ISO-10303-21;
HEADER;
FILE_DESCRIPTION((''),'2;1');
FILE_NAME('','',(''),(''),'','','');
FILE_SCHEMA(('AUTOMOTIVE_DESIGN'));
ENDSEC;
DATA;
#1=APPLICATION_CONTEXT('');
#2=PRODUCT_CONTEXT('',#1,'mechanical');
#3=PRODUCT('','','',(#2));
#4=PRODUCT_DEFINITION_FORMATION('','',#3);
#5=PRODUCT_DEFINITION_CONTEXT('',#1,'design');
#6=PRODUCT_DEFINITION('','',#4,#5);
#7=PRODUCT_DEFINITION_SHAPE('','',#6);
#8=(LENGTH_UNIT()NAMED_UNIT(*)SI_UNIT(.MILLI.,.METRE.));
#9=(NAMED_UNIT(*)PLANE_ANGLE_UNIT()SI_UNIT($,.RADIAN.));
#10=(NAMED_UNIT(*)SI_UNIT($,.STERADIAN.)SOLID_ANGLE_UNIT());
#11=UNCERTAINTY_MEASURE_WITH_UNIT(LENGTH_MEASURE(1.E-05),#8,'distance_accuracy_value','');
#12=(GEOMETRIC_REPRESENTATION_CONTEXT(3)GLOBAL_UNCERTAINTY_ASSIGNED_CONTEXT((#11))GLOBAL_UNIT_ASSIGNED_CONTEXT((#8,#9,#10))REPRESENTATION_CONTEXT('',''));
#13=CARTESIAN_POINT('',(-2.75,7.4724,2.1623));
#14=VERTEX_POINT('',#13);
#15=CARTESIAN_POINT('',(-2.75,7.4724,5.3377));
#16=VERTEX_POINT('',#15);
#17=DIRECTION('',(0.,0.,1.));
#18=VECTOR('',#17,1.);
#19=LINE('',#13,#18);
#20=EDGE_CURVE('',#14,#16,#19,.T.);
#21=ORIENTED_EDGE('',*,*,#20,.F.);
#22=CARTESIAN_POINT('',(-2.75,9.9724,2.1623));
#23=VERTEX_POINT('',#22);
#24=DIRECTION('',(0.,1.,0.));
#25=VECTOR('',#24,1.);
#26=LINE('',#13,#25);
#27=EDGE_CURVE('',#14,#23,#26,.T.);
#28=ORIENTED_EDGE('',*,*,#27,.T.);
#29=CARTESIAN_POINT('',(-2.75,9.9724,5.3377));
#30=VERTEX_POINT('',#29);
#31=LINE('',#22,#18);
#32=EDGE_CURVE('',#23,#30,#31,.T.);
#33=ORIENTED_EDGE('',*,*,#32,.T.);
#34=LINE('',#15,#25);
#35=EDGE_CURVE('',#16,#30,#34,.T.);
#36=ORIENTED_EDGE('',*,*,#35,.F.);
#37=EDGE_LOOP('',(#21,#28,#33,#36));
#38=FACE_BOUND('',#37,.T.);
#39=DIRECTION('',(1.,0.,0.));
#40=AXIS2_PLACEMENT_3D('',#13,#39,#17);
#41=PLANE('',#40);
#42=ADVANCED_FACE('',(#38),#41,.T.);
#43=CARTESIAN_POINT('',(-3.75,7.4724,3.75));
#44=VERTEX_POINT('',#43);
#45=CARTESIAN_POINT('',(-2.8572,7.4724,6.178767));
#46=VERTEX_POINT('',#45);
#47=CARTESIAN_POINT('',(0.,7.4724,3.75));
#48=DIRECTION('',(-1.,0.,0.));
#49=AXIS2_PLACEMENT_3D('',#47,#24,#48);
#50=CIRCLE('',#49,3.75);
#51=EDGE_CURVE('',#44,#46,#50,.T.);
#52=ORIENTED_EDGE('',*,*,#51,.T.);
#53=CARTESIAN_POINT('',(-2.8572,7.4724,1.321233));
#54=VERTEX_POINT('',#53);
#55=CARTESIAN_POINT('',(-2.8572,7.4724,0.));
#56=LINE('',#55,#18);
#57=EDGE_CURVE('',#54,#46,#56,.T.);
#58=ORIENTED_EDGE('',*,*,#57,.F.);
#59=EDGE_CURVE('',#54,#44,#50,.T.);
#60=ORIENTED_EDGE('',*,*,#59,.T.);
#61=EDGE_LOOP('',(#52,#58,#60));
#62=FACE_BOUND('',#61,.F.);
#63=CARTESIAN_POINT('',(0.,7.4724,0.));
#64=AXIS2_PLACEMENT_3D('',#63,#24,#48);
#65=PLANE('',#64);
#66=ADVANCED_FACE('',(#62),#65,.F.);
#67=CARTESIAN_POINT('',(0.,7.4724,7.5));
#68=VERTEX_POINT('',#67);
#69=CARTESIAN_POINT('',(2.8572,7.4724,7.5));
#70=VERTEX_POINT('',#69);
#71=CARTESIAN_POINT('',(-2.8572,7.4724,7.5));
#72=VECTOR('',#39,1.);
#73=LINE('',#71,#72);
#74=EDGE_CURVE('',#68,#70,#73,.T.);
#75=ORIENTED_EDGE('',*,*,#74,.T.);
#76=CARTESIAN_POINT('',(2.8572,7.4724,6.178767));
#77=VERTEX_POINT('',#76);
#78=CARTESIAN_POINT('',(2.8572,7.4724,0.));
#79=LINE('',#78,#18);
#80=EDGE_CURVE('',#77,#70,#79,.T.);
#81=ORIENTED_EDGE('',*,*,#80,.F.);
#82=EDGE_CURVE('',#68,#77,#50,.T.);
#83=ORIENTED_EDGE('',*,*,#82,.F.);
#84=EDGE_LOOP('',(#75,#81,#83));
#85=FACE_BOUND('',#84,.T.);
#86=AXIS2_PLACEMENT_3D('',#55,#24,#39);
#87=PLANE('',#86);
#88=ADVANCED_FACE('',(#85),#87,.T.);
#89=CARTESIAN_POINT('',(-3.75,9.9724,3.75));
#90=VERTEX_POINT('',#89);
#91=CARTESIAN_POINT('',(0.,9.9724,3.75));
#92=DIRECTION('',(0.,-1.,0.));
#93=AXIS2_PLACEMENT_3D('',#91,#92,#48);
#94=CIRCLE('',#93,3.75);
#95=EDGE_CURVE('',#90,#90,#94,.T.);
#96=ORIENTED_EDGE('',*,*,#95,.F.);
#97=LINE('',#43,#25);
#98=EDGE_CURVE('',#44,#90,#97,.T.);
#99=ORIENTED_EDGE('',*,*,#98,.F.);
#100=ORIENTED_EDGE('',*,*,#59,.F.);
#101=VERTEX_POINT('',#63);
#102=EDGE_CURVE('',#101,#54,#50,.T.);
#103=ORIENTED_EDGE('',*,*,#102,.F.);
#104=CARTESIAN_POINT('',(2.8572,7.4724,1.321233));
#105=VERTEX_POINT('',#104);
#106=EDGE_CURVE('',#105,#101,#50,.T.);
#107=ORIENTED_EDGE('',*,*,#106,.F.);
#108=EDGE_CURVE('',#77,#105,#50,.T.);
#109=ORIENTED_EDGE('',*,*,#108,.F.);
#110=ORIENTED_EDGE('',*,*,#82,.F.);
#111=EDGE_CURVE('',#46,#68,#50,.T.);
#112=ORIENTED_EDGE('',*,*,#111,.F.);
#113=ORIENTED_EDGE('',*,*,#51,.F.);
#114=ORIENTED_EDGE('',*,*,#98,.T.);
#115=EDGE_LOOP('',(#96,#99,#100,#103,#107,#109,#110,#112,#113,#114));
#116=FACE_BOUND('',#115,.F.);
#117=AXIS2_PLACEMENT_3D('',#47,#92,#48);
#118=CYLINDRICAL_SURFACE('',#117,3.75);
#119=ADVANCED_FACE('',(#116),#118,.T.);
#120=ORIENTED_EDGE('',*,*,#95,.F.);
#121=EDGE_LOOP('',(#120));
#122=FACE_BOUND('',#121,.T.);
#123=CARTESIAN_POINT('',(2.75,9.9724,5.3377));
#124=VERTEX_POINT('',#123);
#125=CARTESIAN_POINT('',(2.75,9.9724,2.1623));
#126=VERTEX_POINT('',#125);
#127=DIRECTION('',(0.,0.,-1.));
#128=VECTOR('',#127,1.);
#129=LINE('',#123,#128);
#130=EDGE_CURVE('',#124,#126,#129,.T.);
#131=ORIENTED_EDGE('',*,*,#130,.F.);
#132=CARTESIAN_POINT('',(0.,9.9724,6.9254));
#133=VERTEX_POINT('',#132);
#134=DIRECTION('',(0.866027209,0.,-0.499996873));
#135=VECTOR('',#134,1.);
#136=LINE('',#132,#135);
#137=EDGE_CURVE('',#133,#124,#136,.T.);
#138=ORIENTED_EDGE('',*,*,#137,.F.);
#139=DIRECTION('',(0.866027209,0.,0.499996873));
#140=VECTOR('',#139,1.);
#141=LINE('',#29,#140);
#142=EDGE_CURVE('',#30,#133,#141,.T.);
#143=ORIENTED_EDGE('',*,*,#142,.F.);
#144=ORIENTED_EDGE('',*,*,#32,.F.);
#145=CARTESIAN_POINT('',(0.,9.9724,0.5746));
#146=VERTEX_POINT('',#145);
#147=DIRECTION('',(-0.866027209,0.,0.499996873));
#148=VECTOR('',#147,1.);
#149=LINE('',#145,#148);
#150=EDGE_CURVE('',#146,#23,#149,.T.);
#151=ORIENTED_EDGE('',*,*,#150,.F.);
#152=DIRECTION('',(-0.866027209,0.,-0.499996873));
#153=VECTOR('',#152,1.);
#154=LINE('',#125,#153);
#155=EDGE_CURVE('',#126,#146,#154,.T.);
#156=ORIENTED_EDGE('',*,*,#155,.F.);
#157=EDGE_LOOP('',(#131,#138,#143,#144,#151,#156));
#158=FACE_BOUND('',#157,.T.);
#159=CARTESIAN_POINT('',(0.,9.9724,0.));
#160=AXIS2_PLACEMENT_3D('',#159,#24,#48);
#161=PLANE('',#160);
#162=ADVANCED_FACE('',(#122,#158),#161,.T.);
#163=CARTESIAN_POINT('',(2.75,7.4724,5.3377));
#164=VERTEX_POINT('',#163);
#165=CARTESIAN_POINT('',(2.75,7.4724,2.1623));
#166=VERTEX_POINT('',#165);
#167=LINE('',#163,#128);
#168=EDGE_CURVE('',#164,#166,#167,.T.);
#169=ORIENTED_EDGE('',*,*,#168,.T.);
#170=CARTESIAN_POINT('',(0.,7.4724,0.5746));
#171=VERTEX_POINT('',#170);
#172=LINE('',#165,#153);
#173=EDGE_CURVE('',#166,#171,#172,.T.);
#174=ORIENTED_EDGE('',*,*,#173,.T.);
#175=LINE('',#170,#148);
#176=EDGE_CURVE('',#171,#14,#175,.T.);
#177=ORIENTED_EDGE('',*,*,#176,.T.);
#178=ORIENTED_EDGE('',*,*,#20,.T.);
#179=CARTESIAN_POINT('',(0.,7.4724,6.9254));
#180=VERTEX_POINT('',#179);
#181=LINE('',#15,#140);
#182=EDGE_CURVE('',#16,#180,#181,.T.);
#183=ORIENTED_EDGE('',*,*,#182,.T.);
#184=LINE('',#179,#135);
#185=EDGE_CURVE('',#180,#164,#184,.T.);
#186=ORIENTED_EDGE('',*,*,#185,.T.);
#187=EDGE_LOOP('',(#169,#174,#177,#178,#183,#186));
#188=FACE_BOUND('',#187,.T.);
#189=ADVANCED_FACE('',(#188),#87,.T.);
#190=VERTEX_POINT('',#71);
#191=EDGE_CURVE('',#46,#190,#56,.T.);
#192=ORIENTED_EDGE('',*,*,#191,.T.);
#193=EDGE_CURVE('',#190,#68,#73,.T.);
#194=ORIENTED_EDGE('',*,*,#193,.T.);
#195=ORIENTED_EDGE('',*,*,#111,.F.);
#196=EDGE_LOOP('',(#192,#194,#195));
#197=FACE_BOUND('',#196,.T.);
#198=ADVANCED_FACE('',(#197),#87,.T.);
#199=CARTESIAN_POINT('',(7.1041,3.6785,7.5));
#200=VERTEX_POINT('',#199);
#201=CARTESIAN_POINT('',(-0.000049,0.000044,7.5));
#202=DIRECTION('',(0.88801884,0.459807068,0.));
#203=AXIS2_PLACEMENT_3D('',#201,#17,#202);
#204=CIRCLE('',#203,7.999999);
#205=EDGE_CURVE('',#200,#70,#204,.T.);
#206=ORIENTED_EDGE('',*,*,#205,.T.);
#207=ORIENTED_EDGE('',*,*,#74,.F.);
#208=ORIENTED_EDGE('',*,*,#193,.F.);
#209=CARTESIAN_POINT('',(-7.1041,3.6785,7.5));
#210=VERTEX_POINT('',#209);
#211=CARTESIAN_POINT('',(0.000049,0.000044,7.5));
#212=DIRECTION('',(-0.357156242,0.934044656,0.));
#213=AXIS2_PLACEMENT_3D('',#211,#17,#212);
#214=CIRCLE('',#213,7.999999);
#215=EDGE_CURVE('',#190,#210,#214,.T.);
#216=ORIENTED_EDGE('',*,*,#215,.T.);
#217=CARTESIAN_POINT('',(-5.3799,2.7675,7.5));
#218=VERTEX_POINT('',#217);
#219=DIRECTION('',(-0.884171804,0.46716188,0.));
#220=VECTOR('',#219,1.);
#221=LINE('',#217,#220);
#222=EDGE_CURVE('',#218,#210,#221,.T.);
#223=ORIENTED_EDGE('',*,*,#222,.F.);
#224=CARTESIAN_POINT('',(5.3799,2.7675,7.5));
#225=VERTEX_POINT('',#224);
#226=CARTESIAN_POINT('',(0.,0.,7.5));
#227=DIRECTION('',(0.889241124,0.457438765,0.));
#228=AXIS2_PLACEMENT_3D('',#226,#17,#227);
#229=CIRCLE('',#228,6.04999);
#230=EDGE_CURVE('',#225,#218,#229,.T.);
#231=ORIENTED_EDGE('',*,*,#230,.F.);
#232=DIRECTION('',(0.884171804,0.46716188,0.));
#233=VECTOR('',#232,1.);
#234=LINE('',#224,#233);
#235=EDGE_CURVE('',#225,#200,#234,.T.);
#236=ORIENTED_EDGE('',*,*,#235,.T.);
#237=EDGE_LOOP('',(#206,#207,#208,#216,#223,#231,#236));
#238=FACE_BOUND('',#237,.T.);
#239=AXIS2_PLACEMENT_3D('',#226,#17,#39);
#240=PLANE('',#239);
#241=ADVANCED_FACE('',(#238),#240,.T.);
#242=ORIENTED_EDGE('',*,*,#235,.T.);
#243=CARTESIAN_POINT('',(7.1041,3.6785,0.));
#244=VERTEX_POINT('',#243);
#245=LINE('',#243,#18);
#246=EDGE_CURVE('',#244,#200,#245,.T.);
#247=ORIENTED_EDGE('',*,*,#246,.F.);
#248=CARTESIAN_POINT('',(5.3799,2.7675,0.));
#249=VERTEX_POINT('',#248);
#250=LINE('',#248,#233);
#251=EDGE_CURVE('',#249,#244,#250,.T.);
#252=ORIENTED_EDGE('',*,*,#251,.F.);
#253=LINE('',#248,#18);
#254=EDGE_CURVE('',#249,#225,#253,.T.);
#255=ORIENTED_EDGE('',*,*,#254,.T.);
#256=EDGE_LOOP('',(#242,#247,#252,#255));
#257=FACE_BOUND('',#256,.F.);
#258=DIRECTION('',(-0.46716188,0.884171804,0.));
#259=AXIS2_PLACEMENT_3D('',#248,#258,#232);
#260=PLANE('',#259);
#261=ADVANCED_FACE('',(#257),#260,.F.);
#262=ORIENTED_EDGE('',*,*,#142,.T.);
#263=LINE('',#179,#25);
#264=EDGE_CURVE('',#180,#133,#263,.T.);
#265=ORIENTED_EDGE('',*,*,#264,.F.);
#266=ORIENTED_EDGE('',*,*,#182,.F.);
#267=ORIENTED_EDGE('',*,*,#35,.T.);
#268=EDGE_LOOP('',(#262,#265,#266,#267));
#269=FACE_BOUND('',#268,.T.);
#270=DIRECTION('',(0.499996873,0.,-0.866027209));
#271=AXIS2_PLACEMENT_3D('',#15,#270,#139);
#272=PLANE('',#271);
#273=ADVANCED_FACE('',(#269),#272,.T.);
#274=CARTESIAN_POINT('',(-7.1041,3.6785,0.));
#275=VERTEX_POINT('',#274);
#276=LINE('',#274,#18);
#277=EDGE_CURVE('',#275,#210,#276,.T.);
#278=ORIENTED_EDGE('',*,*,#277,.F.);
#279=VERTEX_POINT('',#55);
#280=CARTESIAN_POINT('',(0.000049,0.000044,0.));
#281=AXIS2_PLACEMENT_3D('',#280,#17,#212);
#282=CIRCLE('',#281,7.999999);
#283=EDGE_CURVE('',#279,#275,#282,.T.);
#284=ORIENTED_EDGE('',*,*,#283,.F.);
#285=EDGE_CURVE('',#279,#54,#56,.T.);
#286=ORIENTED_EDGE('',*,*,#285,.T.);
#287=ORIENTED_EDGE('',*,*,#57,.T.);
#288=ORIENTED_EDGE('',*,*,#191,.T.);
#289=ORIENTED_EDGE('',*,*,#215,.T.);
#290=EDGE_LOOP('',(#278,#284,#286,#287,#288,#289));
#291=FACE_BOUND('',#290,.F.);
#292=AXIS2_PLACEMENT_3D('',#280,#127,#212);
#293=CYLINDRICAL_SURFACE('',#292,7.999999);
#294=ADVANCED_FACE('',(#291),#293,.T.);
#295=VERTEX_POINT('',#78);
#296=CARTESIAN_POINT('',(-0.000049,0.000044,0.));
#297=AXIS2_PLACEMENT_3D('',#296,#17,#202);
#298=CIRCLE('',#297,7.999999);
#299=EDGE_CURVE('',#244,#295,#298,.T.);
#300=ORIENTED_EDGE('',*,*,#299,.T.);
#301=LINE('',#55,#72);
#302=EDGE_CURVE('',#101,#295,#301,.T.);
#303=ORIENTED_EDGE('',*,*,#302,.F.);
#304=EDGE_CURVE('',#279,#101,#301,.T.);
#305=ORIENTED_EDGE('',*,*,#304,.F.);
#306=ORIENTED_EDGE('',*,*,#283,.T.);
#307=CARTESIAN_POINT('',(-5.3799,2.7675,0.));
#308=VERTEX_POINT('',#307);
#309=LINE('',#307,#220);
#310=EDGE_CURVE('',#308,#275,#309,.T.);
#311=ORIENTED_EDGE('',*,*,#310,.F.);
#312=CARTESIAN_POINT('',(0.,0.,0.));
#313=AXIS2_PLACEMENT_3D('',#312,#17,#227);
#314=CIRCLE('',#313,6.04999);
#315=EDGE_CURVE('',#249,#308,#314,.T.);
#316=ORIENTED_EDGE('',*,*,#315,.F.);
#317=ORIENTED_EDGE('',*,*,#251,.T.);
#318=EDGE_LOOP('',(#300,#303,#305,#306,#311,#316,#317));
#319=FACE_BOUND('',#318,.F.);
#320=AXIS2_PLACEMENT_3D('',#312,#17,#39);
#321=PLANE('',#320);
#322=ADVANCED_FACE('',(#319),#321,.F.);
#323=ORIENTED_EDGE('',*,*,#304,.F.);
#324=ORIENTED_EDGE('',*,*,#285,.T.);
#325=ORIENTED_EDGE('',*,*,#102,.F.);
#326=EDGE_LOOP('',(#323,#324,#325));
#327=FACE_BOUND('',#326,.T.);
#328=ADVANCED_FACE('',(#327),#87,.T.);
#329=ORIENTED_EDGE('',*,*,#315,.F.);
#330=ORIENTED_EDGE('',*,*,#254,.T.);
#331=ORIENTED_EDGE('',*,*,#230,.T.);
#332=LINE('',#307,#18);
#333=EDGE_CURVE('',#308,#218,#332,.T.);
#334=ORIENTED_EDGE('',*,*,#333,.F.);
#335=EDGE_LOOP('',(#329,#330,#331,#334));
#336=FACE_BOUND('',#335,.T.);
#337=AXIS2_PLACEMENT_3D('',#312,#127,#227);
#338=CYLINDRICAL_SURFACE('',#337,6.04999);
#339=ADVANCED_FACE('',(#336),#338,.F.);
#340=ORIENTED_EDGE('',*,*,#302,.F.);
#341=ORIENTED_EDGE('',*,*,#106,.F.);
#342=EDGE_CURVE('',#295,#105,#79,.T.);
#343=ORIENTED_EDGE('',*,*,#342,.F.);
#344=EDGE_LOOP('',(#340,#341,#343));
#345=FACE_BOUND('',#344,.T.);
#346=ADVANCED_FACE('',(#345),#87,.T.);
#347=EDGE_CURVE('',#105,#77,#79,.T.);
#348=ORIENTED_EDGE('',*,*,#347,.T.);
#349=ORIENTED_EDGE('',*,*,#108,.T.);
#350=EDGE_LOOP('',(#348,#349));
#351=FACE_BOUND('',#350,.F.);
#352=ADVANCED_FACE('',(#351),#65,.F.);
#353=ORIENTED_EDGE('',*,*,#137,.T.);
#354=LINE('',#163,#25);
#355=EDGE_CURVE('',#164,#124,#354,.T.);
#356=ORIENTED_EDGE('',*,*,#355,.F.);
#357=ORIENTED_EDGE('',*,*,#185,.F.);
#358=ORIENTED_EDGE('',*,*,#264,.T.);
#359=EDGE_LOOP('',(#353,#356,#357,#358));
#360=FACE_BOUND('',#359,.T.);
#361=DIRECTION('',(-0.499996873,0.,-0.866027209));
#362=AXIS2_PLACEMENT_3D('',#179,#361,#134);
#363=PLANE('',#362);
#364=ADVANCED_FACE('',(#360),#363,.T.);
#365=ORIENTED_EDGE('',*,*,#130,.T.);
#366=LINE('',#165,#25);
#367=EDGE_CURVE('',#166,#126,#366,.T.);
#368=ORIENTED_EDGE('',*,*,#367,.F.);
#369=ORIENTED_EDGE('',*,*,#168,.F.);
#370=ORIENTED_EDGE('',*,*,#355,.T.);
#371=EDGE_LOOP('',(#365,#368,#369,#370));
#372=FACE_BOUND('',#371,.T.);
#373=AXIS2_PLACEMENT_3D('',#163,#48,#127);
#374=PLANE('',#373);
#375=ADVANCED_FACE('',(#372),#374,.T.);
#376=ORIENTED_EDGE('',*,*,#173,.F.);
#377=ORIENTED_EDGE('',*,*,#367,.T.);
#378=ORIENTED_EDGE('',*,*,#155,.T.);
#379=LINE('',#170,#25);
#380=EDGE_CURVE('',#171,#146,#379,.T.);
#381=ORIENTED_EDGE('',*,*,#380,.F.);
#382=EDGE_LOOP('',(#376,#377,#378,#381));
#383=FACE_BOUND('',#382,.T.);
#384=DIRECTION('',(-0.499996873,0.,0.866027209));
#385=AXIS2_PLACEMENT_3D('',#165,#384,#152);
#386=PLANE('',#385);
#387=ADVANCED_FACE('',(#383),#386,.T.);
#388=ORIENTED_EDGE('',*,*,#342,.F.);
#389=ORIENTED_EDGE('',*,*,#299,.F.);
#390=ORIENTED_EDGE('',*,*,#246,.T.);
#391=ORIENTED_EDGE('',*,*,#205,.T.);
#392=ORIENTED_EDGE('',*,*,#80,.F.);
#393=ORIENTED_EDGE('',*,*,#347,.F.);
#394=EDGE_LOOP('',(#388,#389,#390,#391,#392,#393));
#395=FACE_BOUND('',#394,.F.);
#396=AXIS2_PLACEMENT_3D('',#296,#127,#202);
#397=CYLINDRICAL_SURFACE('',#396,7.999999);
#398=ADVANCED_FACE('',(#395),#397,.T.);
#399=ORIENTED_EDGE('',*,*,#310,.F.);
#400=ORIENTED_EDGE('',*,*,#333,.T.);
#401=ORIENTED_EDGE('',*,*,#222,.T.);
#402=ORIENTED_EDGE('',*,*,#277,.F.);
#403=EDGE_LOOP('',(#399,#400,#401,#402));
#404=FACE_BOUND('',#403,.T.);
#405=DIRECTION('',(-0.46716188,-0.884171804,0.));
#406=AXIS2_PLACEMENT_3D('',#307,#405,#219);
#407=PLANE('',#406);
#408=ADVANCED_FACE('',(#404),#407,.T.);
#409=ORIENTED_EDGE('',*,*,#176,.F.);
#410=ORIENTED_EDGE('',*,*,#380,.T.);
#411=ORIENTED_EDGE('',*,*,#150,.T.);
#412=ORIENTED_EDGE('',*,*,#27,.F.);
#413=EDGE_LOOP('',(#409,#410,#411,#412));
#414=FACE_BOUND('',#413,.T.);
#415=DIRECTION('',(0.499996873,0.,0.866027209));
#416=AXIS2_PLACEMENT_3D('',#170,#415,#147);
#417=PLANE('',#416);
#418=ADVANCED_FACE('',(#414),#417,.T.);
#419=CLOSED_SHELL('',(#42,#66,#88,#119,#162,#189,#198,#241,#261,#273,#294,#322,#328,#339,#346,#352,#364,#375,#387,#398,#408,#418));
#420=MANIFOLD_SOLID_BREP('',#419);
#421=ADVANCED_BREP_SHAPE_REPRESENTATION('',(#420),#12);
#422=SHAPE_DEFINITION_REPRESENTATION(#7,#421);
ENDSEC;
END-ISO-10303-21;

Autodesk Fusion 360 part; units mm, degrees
sketch "スケッチ1" plane through (0, 0, 0) normal (0, 0, 1) x (1, 0, 0)
  line L0 (-5.3799, 2.7675) -> (-7.1041, 3.6785)
  line L1 (5.3799, 2.7675) -> (7.1041, 3.6785)
  line L2 (-2.8572, 7.4724) -> (2.8572, 7.4724)
  arc A0 (5.3799, 2.7675) -> (-5.3799, 2.7675) centre (0, 0) ccw
  arc A1 (7.1041, 3.6785) -> (2.8572, 7.4724) centre (0, 0) ccw
  arc A2 (-2.8572, 7.4724) -> (-7.1041, 3.6785) centre (0, 0) ccw
  dimension "d1" = 12.1
extrude "押し出し1" add sketch "スケッチ1" along normal blind 7.5
sketch "スケッチ4" plane through (0, 7.4724, 0) normal (0, 1, 0) x (-1, 0, 0)
  line L0 (-2.8572, 0) -> (2.8572, 0)
  line L1 (2.8572, 0) -> (2.8572, 7.5)
  line L2 (2.8572, 7.5) -> (-2.8572, 7.5)
  line L3 (-2.8572, 7.5) -> (-2.8572, 0)
  line L4 (0, 7.5) -> (0, 0)
  line L5 (0, 0.5746) -> (2.75, 2.1623)
  line L6 (2.75, 2.1623) -> (2.75, 5.3377)
  line L7 (2.75, 5.3377) -> (0, 6.9254)
  line L8 (0, 6.9254) -> (-2.75, 5.3377)
  line L9 (-2.75, 5.3377) -> (-2.75, 2.1623)
  line L10 (-2.75, 2.1623) -> (0, 0.5746)
  circle A0 centre (0, 3.75) radius 3.75
  point P0 (0, 3.75)
  dimension "d12" = 5.5
extrude "押し出し4" add sketch "スケッチ4" along normal blind 2.5 contours L3 L4 L8 L9 L10 A0 | L1 L4 L5 L6 L7 A0 | L3 A0 | L1 A0
